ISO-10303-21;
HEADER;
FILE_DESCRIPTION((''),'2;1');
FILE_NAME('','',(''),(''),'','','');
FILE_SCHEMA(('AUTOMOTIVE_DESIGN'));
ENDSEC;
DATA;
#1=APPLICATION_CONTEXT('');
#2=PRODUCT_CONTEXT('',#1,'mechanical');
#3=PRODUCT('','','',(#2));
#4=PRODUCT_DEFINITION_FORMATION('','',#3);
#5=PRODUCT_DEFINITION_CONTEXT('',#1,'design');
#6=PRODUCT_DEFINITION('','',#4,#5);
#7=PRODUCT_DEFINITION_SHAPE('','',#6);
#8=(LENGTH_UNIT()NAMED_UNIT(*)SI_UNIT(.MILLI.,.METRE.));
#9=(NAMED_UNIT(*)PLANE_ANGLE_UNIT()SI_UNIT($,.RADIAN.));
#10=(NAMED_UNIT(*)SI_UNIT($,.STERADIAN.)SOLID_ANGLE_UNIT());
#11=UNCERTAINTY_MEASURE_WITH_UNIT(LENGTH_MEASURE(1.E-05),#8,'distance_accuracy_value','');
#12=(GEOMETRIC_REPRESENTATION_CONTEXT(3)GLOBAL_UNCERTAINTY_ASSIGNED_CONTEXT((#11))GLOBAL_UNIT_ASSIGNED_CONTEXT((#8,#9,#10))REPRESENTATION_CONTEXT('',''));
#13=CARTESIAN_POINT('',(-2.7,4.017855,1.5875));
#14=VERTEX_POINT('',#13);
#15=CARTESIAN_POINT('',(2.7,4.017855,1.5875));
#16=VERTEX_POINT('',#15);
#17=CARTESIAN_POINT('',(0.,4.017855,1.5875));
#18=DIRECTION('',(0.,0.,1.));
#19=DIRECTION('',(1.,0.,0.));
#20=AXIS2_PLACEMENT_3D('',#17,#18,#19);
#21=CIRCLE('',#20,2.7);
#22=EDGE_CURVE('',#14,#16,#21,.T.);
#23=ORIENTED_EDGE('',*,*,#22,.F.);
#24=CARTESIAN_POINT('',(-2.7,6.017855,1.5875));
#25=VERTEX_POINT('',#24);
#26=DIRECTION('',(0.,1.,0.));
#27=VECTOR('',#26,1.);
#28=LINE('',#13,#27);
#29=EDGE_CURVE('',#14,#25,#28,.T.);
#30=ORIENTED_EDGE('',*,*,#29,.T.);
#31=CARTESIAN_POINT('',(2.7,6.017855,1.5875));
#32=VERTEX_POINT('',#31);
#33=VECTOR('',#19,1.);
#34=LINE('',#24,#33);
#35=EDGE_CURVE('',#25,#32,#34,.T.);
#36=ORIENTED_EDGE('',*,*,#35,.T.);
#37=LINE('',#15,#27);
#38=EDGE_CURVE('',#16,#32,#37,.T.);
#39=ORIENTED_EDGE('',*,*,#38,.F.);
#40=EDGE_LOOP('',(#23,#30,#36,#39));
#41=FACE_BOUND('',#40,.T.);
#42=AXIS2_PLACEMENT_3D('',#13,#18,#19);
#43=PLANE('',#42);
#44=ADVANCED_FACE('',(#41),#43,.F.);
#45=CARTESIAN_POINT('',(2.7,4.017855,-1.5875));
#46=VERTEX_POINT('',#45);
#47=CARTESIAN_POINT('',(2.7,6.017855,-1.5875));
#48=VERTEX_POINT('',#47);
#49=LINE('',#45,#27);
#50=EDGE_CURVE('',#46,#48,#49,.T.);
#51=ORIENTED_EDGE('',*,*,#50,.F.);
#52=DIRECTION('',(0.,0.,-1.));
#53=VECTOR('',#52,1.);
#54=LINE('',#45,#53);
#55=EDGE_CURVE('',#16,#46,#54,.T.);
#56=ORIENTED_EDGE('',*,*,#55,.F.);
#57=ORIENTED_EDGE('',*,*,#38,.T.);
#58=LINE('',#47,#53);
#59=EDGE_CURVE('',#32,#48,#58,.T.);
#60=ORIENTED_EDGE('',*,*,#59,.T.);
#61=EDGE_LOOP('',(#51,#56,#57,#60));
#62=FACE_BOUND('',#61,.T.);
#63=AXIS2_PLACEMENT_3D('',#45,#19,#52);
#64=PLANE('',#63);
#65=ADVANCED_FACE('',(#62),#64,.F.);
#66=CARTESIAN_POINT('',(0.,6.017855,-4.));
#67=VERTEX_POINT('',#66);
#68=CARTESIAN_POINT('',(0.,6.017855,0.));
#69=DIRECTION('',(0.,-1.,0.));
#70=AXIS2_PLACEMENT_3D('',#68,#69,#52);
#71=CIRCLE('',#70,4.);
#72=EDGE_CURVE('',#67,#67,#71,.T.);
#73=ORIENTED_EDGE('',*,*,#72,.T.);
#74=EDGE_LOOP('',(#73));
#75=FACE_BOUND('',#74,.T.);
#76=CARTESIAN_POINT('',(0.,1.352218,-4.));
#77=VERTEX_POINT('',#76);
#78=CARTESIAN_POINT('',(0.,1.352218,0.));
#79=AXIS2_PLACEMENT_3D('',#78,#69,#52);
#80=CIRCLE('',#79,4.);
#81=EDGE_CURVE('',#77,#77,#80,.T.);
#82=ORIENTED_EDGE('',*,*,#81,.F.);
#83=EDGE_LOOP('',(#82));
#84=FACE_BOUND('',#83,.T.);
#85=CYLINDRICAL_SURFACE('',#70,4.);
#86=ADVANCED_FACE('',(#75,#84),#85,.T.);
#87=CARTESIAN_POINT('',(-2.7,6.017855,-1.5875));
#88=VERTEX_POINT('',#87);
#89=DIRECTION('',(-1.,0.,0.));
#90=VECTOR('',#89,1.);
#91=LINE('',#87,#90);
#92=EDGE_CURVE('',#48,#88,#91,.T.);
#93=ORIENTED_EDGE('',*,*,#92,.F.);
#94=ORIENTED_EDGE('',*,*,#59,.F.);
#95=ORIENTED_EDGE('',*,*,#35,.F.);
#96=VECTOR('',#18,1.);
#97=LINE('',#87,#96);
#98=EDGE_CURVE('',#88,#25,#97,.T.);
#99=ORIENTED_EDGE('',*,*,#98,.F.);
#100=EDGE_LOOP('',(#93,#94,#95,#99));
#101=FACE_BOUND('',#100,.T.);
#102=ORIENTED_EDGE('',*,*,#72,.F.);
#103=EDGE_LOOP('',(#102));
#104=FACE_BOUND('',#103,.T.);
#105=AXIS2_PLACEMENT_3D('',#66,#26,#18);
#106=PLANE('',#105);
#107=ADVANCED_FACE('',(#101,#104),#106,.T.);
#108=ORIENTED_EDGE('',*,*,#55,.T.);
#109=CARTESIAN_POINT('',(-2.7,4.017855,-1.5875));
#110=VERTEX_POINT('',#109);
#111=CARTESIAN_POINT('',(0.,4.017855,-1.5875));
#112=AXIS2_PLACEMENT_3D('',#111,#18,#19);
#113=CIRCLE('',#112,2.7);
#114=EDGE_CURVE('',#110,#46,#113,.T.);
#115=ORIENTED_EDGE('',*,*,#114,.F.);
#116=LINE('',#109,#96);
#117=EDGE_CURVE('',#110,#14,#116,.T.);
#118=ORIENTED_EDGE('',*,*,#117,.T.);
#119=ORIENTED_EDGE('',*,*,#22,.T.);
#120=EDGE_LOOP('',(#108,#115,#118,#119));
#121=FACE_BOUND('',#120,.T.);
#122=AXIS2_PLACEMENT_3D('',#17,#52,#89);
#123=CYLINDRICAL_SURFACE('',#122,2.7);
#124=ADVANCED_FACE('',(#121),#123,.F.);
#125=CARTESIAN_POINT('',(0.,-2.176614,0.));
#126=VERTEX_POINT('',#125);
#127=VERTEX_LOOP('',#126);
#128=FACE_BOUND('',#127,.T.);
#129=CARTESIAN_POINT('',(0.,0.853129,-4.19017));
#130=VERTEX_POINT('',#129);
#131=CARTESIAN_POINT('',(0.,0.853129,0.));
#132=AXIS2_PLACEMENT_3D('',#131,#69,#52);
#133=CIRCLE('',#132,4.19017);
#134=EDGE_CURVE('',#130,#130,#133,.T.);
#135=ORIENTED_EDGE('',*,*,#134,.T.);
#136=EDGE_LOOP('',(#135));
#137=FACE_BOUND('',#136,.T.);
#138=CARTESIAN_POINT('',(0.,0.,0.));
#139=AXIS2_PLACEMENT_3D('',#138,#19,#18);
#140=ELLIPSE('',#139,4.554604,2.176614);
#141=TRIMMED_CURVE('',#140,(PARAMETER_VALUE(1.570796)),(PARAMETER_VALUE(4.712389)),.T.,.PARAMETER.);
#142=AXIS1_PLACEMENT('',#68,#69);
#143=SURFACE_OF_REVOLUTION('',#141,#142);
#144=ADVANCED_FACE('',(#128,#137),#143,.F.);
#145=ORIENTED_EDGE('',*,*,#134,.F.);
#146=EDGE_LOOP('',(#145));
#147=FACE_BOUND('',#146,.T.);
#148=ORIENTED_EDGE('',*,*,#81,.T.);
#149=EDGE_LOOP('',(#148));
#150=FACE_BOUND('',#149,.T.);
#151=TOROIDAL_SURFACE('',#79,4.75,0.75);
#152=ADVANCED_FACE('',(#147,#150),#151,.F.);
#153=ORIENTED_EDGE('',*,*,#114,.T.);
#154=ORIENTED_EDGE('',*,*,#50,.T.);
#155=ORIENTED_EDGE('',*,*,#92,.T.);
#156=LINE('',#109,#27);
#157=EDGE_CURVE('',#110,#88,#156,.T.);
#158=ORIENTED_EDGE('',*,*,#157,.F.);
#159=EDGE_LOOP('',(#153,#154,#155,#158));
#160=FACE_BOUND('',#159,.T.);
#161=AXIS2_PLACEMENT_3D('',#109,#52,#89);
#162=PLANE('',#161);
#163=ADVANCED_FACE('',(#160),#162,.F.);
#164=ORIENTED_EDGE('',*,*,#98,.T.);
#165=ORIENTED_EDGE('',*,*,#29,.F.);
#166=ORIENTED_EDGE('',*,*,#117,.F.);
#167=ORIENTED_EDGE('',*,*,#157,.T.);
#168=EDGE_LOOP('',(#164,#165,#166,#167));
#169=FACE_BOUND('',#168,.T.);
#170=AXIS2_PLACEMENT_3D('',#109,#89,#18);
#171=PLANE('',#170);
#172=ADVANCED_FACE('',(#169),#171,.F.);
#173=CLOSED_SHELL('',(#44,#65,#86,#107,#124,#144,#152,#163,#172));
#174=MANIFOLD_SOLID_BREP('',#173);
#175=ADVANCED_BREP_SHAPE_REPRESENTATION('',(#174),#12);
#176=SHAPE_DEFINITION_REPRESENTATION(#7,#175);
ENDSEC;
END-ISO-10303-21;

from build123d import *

# Parameters (mm, degrees)
SKETCH2_W          = 5.4
SKETCH2_H          = 3.175
CUT_EXTRUDE1_DEPTH = 2
SKETCH4_R          = 2.7
CUT_EXTRUDE2_DEPTH = 3.175


with BuildPart() as part:
    # Sketch1 → Revolve3 (revolve)
    with BuildSketch(Plane(origin=(0, 0, 0), x_dir=(0, 0, -1), z_dir=(1, 0, 0))):
        with BuildLine():
            Line((4, 1.352218356), (4, 6.017854764))
            Line((4, 6.017854764), (0, 6.017854764))
            Line((0, 6.017854764), (0, -2.176614275))
            add(Edge.make_bspline(
                [(0, -2.176614275), (6.891187287, -2.176614275), (4.190169576, 0.853129288)],
                knots=[1.570796327, 1.570796327, 1.570796327, 3.544345546, 3.544345546, 3.544345546], degree=2, weights=[1, 0.551383512, 1]))
            ThreePointArc((4.190169576, 0.853129288), (4.049153077, 1.085172309), (4, 1.352218356))
        make_face()
    revolve(axis=Axis((0, 6.017854764, 0), (0, 1, 0)))

    # Sketch2 → Cut-Extrude1 (cut)
    with BuildSketch(Plane(origin=(0, 6.017854764, 0), x_dir=(1, 0, 0), z_dir=(0, 1, 0))):
        Rectangle(SKETCH2_W, SKETCH2_H)
    extrude(amount=-CUT_EXTRUDE1_DEPTH, mode=Mode.SUBTRACT)

    # Sketch4 → Cut-Extrude2 (cut)
    with BuildSketch(Plane.XY.offset(-1.5875)):
        with Locations((0, 4.017854764)):
            Circle(SKETCH4_R)
    extrude(amount=CUT_EXTRUDE2_DEPTH, mode=Mode.SUBTRACT)


solid = part.part
